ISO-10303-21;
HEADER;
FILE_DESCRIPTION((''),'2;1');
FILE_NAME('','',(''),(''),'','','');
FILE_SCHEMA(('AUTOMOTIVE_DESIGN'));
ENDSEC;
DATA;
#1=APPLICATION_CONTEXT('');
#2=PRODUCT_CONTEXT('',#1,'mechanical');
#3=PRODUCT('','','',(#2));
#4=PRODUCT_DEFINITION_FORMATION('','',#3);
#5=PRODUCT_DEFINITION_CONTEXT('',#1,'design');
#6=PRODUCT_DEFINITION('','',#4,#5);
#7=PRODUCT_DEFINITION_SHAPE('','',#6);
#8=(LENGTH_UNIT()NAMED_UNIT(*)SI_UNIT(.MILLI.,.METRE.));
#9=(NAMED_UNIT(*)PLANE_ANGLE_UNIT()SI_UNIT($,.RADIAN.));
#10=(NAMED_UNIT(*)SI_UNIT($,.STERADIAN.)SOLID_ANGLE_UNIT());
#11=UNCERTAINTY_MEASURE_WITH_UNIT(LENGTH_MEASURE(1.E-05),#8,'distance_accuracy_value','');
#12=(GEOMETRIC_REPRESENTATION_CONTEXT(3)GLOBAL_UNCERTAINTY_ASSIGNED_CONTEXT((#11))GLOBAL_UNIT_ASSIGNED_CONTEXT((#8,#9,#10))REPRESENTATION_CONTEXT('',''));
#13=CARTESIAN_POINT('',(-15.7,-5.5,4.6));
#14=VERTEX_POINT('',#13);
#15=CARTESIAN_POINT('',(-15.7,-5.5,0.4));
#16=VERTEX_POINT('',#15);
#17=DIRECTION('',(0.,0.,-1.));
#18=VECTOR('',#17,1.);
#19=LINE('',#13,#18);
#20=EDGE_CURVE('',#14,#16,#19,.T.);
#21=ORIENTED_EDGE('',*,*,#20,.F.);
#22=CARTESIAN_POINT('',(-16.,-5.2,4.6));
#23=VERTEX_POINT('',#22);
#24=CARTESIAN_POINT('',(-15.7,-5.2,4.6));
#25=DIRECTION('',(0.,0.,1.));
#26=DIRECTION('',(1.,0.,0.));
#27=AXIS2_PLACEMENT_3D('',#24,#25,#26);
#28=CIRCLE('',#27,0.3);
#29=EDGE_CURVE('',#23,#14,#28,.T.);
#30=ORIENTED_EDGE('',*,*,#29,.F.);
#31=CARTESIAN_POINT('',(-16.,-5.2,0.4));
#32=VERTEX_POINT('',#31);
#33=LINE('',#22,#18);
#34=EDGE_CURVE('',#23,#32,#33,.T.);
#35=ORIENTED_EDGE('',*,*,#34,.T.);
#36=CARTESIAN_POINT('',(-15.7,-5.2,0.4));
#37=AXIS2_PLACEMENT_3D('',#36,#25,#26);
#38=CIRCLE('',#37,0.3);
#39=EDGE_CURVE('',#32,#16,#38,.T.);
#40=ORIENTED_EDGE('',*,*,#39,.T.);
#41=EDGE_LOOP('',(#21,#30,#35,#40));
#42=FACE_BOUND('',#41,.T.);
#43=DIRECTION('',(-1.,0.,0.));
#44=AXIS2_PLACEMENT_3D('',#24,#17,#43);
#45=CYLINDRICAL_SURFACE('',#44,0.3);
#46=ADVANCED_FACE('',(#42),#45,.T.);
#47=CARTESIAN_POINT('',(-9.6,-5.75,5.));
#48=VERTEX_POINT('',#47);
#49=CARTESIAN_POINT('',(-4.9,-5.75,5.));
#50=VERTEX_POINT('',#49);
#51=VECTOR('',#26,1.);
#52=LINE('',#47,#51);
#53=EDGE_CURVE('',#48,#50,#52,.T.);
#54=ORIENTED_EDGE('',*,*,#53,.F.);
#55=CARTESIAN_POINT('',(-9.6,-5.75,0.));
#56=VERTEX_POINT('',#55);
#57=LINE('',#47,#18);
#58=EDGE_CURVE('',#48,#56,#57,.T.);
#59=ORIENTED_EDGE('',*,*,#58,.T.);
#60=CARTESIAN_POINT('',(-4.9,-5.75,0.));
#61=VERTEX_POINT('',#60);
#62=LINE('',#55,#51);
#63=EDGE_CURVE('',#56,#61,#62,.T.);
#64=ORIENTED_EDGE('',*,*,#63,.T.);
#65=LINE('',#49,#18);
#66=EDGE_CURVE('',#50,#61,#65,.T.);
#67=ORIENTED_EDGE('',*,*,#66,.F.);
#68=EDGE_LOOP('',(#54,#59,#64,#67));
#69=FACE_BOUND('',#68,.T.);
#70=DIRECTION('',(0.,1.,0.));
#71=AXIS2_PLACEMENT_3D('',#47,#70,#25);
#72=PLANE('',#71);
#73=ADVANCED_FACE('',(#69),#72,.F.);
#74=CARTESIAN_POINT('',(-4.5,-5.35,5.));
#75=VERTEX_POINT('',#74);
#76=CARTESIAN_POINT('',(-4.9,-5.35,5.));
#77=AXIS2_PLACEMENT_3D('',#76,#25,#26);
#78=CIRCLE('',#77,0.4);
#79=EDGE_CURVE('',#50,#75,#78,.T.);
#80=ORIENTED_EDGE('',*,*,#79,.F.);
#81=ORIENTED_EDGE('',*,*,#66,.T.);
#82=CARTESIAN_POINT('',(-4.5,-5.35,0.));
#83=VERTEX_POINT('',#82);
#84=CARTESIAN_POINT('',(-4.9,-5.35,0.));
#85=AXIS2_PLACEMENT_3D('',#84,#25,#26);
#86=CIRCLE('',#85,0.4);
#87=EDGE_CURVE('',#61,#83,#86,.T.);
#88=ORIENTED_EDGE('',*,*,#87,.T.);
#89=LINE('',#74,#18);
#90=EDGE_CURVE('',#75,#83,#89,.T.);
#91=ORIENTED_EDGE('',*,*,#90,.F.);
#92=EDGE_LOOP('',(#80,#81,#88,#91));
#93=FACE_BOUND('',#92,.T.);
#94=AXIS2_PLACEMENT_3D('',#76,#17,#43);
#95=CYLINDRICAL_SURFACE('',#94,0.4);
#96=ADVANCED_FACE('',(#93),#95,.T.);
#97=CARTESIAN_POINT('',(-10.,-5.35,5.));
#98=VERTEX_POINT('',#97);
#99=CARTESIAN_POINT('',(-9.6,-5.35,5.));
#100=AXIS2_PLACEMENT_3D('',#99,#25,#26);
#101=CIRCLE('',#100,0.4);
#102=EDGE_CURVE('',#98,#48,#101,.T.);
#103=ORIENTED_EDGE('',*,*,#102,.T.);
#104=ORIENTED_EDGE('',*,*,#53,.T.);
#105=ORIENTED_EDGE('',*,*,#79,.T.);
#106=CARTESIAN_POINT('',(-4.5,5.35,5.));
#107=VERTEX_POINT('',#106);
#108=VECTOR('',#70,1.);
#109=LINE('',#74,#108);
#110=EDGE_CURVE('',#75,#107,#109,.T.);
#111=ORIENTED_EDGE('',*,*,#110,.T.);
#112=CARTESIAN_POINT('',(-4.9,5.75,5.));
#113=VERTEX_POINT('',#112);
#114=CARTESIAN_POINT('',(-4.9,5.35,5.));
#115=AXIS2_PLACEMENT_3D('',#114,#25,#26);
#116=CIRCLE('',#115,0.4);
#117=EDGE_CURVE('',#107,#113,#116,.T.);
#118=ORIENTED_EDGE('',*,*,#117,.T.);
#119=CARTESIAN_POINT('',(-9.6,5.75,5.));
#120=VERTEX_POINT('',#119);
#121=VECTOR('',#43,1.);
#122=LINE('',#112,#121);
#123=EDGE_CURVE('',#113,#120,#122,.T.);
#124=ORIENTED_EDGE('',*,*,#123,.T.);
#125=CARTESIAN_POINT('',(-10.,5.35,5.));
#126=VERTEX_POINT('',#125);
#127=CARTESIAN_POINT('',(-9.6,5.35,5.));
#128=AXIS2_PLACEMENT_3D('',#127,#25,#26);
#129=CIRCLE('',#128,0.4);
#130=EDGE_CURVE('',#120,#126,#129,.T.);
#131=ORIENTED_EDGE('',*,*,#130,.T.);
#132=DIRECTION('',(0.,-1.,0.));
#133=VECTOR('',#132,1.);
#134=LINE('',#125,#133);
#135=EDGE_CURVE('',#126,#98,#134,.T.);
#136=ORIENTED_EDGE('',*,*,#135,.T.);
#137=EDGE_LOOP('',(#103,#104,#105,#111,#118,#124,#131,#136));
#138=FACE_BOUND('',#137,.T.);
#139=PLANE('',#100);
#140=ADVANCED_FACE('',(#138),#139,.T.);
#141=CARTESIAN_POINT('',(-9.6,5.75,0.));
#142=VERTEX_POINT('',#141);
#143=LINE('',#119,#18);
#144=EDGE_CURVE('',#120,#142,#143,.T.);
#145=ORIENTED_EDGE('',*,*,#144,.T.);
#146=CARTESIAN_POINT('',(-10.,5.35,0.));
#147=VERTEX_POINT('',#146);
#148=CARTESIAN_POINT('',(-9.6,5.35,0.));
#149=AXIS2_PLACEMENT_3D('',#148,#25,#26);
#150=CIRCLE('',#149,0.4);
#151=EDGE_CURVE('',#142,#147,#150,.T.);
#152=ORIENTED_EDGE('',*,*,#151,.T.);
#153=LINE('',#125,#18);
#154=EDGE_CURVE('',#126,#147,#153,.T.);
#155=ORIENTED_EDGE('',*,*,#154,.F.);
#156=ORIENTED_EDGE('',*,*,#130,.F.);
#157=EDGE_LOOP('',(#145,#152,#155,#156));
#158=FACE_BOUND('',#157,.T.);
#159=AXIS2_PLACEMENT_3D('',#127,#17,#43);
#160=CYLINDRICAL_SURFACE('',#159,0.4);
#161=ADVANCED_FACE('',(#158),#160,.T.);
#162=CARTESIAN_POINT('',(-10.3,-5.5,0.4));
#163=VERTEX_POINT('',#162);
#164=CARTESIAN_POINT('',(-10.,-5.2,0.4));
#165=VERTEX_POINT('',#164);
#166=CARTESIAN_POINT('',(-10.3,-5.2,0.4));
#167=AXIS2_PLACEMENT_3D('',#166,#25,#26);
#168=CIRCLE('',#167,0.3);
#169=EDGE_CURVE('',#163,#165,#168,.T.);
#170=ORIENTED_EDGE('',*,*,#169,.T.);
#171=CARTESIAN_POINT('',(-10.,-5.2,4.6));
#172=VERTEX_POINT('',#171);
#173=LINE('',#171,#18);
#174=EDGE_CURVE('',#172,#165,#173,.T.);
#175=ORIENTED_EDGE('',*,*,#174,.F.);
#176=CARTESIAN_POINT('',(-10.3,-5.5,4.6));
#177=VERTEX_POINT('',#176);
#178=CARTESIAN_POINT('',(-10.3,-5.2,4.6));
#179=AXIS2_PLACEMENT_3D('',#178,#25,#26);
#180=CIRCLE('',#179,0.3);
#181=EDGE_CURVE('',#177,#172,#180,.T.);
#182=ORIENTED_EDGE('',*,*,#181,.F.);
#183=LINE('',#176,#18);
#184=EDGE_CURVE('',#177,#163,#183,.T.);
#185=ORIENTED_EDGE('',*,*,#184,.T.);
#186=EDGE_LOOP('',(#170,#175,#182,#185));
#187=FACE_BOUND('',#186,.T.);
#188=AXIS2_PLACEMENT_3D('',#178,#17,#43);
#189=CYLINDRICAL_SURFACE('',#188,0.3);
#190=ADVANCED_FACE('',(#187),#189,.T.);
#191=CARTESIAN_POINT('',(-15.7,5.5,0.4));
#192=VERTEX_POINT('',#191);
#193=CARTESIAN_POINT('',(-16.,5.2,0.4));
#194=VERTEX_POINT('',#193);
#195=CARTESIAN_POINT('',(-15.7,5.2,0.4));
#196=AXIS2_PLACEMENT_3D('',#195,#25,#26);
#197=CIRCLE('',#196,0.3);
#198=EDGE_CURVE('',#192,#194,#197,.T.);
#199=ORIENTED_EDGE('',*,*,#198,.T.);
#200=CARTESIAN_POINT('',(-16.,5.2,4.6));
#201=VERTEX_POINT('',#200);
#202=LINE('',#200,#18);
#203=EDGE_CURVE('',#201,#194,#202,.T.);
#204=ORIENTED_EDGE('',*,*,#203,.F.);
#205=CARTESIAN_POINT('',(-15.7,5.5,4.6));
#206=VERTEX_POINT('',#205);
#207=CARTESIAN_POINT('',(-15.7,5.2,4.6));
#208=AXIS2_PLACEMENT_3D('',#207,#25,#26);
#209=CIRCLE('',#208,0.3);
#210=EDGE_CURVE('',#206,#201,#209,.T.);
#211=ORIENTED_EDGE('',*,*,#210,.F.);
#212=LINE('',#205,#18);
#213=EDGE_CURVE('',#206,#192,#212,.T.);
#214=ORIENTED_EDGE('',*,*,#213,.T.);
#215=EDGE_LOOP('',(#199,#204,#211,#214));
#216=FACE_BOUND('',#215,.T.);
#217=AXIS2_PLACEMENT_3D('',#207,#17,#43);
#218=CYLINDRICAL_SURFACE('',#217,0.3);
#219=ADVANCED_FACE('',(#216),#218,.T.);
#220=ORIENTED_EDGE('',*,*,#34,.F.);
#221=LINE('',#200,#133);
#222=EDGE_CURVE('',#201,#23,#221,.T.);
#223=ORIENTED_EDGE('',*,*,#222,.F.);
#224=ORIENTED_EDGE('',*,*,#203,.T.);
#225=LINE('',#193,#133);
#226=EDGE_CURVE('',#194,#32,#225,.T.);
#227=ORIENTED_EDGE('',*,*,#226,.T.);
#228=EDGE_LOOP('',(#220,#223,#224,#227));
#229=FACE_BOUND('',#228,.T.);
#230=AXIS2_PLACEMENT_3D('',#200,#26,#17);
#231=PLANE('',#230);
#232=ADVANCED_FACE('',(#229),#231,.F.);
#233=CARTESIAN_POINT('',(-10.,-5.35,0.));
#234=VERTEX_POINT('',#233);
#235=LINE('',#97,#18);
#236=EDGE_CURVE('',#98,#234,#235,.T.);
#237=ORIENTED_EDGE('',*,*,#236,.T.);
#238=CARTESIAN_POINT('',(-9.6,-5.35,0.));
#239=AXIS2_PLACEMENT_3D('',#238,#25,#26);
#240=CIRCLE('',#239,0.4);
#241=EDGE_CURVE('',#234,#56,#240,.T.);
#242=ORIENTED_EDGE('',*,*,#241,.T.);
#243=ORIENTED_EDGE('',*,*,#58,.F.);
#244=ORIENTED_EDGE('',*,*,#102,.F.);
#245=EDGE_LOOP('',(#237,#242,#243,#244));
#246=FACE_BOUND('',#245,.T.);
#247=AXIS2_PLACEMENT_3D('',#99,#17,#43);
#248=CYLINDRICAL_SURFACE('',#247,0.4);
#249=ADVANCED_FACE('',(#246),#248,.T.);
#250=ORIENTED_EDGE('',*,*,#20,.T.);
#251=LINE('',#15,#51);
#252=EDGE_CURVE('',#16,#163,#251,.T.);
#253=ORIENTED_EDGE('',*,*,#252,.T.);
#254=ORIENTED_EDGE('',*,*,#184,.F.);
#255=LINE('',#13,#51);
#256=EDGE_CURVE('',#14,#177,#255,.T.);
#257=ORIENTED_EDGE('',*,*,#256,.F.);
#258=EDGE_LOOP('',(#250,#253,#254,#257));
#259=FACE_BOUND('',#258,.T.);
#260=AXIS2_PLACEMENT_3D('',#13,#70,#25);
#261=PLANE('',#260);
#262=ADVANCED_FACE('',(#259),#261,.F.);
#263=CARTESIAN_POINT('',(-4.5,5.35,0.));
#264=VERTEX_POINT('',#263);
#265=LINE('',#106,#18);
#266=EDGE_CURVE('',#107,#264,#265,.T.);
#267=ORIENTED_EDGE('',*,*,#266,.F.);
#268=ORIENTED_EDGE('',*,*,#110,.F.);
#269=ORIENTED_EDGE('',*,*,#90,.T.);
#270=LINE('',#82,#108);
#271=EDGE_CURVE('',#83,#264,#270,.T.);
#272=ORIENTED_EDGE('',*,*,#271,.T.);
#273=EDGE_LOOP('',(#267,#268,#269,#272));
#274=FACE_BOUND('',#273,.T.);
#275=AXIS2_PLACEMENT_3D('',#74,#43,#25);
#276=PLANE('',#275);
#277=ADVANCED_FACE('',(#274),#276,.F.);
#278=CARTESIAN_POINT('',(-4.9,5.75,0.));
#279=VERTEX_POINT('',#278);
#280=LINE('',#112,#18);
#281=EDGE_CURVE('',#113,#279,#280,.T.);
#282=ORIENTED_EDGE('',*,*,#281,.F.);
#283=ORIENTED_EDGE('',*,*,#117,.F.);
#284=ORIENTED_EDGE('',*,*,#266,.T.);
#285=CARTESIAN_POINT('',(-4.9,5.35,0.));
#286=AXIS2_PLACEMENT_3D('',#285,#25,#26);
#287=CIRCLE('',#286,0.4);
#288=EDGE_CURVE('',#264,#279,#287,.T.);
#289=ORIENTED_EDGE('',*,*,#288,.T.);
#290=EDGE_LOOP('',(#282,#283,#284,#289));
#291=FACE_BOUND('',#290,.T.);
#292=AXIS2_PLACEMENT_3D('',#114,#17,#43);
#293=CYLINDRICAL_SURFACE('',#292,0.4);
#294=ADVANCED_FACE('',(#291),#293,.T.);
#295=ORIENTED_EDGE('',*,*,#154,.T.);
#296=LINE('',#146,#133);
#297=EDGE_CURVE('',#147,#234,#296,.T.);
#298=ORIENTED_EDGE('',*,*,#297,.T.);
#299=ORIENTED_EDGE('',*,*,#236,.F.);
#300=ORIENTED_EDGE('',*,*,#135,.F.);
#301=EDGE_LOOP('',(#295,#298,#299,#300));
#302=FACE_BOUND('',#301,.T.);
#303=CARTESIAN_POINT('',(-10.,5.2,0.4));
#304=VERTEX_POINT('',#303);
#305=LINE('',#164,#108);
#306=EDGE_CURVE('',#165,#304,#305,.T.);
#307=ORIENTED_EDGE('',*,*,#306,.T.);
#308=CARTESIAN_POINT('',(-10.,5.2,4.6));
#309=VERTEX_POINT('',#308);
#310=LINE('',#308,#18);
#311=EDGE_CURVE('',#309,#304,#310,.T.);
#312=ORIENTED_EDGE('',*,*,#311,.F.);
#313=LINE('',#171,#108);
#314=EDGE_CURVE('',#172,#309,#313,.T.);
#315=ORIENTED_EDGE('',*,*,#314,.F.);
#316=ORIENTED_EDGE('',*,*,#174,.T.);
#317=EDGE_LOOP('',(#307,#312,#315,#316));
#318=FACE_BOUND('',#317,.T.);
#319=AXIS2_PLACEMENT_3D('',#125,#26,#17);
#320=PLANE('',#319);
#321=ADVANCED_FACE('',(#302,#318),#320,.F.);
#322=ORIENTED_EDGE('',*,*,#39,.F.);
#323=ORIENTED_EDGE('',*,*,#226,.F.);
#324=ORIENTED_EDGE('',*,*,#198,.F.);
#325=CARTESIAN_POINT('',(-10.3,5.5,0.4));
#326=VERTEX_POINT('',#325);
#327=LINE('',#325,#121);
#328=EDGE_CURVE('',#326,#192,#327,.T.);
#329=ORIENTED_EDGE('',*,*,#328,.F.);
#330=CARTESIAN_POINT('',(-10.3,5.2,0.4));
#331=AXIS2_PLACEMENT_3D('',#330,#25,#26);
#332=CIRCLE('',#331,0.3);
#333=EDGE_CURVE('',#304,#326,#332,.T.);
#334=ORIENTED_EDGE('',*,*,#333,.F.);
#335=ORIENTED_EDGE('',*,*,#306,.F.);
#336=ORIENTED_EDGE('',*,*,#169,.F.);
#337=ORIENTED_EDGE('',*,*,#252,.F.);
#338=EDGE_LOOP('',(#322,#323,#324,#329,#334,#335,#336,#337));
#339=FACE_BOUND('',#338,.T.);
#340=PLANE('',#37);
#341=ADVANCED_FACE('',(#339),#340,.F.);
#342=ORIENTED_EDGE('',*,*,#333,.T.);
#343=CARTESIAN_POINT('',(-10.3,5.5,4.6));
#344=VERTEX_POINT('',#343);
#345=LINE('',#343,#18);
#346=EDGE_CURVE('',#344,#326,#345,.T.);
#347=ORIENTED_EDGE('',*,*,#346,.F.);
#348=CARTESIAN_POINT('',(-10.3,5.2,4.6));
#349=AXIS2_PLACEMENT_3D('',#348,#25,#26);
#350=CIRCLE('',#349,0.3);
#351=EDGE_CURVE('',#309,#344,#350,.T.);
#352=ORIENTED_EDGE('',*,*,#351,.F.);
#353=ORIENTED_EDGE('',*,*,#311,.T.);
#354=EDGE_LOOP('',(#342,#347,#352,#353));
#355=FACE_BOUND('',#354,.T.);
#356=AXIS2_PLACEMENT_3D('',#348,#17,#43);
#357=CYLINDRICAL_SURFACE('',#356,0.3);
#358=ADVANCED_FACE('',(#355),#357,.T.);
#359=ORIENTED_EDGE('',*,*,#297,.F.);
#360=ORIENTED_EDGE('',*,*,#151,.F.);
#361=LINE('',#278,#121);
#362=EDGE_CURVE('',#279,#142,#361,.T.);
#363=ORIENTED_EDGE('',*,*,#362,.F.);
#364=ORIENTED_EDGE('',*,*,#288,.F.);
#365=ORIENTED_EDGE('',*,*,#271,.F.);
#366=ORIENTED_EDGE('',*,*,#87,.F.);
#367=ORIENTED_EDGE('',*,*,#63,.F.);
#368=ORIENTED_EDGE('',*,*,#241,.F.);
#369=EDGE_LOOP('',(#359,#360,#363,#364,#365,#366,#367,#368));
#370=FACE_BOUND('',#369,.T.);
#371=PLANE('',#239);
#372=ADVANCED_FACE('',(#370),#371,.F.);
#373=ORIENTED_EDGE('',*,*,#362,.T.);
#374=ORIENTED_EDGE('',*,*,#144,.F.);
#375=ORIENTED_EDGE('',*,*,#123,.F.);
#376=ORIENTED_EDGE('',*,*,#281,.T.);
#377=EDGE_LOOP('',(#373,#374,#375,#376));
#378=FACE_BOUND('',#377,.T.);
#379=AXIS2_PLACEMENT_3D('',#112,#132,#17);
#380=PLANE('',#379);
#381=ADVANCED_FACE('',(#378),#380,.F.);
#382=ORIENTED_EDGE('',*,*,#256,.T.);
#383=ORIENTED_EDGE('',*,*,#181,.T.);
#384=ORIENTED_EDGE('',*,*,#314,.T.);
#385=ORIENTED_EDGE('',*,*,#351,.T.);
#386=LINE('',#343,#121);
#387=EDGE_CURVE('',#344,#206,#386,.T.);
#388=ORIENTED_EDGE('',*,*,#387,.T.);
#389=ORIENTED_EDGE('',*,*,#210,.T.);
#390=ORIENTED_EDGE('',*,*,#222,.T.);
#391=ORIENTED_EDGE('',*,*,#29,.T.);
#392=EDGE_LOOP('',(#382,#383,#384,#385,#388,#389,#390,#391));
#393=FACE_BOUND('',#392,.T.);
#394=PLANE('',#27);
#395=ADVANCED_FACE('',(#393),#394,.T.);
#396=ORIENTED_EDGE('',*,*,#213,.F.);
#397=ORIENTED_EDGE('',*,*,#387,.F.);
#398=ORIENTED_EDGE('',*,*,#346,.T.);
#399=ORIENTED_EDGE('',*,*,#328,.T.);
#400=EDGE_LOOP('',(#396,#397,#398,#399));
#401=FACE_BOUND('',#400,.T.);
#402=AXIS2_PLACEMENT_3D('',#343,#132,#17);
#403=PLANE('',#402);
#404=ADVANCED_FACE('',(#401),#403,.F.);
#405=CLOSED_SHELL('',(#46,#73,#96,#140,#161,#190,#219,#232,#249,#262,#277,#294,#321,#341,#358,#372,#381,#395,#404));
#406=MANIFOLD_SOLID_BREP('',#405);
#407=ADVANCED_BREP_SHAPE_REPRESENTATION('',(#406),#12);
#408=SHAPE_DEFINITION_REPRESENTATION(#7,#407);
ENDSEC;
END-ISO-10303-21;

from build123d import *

# Parameters (mm, degrees)
HEADER_BUDGET_5P5X11P5_H5_MINUSX_DEPTH = 5
MATED_PLUG_BUDGET_OUTWARD_MINUSX_DEPTH = 4.2


with BuildPart() as part:
    # 草图1 → Header_budget_5p5x11p5_H5_minusX (new body)
    with BuildSketch(Plane.XY):
        with BuildLine():
            Line((-9.6, -5.75), (-4.9, -5.75))
            ThreePointArc((-4.9, -5.75), (-4.617157288, -5.632842712), (-4.5, -5.35))
            Line((-4.5, -5.35), (-4.5, 5.35))
            ThreePointArc((-4.5, 5.35), (-4.617157288, 5.632842712), (-4.9, 5.75))
            Line((-4.9, 5.75), (-9.6, 5.75))
            ThreePointArc((-9.6, 5.75), (-9.882842712, 5.632842712), (-10, 5.35))
            Line((-10, 5.35), (-10, -5.35))
            ThreePointArc((-10, -5.35), (-9.882842712, -5.632842712), (-9.6, -5.75))
        make_face()
    extrude(amount=HEADER_BUDGET_5P5X11P5_H5_MINUSX_DEPTH)

    # 草图2 → Mated_plug_budget_outward_minusX (add)
    with BuildSketch(Plane.XY.offset(0.4)):
        with BuildLine():
            Line((-15.7, -5.5), (-10.3, -5.5))
            ThreePointArc((-10.3, -5.5), (-10.087867966, -5.412132034), (-10, -5.2))
            Line((-10, -5.2), (-10, 5.2))
            ThreePointArc((-10, 5.2), (-10.087867966, 5.412132034), (-10.3, 5.5))
            Line((-10.3, 5.5), (-15.7, 5.5))
            ThreePointArc((-15.7, 5.5), (-15.912132034, 5.412132034), (-16, 5.2))
            Line((-16, 5.2), (-16, -5.2))
            ThreePointArc((-16, -5.2), (-15.912132034, -5.412132034), (-15.7, -5.5))
        make_face()
    extrude(amount=MATED_PLUG_BUDGET_OUTWARD_MINUSX_DEPTH)


solid = part.part
